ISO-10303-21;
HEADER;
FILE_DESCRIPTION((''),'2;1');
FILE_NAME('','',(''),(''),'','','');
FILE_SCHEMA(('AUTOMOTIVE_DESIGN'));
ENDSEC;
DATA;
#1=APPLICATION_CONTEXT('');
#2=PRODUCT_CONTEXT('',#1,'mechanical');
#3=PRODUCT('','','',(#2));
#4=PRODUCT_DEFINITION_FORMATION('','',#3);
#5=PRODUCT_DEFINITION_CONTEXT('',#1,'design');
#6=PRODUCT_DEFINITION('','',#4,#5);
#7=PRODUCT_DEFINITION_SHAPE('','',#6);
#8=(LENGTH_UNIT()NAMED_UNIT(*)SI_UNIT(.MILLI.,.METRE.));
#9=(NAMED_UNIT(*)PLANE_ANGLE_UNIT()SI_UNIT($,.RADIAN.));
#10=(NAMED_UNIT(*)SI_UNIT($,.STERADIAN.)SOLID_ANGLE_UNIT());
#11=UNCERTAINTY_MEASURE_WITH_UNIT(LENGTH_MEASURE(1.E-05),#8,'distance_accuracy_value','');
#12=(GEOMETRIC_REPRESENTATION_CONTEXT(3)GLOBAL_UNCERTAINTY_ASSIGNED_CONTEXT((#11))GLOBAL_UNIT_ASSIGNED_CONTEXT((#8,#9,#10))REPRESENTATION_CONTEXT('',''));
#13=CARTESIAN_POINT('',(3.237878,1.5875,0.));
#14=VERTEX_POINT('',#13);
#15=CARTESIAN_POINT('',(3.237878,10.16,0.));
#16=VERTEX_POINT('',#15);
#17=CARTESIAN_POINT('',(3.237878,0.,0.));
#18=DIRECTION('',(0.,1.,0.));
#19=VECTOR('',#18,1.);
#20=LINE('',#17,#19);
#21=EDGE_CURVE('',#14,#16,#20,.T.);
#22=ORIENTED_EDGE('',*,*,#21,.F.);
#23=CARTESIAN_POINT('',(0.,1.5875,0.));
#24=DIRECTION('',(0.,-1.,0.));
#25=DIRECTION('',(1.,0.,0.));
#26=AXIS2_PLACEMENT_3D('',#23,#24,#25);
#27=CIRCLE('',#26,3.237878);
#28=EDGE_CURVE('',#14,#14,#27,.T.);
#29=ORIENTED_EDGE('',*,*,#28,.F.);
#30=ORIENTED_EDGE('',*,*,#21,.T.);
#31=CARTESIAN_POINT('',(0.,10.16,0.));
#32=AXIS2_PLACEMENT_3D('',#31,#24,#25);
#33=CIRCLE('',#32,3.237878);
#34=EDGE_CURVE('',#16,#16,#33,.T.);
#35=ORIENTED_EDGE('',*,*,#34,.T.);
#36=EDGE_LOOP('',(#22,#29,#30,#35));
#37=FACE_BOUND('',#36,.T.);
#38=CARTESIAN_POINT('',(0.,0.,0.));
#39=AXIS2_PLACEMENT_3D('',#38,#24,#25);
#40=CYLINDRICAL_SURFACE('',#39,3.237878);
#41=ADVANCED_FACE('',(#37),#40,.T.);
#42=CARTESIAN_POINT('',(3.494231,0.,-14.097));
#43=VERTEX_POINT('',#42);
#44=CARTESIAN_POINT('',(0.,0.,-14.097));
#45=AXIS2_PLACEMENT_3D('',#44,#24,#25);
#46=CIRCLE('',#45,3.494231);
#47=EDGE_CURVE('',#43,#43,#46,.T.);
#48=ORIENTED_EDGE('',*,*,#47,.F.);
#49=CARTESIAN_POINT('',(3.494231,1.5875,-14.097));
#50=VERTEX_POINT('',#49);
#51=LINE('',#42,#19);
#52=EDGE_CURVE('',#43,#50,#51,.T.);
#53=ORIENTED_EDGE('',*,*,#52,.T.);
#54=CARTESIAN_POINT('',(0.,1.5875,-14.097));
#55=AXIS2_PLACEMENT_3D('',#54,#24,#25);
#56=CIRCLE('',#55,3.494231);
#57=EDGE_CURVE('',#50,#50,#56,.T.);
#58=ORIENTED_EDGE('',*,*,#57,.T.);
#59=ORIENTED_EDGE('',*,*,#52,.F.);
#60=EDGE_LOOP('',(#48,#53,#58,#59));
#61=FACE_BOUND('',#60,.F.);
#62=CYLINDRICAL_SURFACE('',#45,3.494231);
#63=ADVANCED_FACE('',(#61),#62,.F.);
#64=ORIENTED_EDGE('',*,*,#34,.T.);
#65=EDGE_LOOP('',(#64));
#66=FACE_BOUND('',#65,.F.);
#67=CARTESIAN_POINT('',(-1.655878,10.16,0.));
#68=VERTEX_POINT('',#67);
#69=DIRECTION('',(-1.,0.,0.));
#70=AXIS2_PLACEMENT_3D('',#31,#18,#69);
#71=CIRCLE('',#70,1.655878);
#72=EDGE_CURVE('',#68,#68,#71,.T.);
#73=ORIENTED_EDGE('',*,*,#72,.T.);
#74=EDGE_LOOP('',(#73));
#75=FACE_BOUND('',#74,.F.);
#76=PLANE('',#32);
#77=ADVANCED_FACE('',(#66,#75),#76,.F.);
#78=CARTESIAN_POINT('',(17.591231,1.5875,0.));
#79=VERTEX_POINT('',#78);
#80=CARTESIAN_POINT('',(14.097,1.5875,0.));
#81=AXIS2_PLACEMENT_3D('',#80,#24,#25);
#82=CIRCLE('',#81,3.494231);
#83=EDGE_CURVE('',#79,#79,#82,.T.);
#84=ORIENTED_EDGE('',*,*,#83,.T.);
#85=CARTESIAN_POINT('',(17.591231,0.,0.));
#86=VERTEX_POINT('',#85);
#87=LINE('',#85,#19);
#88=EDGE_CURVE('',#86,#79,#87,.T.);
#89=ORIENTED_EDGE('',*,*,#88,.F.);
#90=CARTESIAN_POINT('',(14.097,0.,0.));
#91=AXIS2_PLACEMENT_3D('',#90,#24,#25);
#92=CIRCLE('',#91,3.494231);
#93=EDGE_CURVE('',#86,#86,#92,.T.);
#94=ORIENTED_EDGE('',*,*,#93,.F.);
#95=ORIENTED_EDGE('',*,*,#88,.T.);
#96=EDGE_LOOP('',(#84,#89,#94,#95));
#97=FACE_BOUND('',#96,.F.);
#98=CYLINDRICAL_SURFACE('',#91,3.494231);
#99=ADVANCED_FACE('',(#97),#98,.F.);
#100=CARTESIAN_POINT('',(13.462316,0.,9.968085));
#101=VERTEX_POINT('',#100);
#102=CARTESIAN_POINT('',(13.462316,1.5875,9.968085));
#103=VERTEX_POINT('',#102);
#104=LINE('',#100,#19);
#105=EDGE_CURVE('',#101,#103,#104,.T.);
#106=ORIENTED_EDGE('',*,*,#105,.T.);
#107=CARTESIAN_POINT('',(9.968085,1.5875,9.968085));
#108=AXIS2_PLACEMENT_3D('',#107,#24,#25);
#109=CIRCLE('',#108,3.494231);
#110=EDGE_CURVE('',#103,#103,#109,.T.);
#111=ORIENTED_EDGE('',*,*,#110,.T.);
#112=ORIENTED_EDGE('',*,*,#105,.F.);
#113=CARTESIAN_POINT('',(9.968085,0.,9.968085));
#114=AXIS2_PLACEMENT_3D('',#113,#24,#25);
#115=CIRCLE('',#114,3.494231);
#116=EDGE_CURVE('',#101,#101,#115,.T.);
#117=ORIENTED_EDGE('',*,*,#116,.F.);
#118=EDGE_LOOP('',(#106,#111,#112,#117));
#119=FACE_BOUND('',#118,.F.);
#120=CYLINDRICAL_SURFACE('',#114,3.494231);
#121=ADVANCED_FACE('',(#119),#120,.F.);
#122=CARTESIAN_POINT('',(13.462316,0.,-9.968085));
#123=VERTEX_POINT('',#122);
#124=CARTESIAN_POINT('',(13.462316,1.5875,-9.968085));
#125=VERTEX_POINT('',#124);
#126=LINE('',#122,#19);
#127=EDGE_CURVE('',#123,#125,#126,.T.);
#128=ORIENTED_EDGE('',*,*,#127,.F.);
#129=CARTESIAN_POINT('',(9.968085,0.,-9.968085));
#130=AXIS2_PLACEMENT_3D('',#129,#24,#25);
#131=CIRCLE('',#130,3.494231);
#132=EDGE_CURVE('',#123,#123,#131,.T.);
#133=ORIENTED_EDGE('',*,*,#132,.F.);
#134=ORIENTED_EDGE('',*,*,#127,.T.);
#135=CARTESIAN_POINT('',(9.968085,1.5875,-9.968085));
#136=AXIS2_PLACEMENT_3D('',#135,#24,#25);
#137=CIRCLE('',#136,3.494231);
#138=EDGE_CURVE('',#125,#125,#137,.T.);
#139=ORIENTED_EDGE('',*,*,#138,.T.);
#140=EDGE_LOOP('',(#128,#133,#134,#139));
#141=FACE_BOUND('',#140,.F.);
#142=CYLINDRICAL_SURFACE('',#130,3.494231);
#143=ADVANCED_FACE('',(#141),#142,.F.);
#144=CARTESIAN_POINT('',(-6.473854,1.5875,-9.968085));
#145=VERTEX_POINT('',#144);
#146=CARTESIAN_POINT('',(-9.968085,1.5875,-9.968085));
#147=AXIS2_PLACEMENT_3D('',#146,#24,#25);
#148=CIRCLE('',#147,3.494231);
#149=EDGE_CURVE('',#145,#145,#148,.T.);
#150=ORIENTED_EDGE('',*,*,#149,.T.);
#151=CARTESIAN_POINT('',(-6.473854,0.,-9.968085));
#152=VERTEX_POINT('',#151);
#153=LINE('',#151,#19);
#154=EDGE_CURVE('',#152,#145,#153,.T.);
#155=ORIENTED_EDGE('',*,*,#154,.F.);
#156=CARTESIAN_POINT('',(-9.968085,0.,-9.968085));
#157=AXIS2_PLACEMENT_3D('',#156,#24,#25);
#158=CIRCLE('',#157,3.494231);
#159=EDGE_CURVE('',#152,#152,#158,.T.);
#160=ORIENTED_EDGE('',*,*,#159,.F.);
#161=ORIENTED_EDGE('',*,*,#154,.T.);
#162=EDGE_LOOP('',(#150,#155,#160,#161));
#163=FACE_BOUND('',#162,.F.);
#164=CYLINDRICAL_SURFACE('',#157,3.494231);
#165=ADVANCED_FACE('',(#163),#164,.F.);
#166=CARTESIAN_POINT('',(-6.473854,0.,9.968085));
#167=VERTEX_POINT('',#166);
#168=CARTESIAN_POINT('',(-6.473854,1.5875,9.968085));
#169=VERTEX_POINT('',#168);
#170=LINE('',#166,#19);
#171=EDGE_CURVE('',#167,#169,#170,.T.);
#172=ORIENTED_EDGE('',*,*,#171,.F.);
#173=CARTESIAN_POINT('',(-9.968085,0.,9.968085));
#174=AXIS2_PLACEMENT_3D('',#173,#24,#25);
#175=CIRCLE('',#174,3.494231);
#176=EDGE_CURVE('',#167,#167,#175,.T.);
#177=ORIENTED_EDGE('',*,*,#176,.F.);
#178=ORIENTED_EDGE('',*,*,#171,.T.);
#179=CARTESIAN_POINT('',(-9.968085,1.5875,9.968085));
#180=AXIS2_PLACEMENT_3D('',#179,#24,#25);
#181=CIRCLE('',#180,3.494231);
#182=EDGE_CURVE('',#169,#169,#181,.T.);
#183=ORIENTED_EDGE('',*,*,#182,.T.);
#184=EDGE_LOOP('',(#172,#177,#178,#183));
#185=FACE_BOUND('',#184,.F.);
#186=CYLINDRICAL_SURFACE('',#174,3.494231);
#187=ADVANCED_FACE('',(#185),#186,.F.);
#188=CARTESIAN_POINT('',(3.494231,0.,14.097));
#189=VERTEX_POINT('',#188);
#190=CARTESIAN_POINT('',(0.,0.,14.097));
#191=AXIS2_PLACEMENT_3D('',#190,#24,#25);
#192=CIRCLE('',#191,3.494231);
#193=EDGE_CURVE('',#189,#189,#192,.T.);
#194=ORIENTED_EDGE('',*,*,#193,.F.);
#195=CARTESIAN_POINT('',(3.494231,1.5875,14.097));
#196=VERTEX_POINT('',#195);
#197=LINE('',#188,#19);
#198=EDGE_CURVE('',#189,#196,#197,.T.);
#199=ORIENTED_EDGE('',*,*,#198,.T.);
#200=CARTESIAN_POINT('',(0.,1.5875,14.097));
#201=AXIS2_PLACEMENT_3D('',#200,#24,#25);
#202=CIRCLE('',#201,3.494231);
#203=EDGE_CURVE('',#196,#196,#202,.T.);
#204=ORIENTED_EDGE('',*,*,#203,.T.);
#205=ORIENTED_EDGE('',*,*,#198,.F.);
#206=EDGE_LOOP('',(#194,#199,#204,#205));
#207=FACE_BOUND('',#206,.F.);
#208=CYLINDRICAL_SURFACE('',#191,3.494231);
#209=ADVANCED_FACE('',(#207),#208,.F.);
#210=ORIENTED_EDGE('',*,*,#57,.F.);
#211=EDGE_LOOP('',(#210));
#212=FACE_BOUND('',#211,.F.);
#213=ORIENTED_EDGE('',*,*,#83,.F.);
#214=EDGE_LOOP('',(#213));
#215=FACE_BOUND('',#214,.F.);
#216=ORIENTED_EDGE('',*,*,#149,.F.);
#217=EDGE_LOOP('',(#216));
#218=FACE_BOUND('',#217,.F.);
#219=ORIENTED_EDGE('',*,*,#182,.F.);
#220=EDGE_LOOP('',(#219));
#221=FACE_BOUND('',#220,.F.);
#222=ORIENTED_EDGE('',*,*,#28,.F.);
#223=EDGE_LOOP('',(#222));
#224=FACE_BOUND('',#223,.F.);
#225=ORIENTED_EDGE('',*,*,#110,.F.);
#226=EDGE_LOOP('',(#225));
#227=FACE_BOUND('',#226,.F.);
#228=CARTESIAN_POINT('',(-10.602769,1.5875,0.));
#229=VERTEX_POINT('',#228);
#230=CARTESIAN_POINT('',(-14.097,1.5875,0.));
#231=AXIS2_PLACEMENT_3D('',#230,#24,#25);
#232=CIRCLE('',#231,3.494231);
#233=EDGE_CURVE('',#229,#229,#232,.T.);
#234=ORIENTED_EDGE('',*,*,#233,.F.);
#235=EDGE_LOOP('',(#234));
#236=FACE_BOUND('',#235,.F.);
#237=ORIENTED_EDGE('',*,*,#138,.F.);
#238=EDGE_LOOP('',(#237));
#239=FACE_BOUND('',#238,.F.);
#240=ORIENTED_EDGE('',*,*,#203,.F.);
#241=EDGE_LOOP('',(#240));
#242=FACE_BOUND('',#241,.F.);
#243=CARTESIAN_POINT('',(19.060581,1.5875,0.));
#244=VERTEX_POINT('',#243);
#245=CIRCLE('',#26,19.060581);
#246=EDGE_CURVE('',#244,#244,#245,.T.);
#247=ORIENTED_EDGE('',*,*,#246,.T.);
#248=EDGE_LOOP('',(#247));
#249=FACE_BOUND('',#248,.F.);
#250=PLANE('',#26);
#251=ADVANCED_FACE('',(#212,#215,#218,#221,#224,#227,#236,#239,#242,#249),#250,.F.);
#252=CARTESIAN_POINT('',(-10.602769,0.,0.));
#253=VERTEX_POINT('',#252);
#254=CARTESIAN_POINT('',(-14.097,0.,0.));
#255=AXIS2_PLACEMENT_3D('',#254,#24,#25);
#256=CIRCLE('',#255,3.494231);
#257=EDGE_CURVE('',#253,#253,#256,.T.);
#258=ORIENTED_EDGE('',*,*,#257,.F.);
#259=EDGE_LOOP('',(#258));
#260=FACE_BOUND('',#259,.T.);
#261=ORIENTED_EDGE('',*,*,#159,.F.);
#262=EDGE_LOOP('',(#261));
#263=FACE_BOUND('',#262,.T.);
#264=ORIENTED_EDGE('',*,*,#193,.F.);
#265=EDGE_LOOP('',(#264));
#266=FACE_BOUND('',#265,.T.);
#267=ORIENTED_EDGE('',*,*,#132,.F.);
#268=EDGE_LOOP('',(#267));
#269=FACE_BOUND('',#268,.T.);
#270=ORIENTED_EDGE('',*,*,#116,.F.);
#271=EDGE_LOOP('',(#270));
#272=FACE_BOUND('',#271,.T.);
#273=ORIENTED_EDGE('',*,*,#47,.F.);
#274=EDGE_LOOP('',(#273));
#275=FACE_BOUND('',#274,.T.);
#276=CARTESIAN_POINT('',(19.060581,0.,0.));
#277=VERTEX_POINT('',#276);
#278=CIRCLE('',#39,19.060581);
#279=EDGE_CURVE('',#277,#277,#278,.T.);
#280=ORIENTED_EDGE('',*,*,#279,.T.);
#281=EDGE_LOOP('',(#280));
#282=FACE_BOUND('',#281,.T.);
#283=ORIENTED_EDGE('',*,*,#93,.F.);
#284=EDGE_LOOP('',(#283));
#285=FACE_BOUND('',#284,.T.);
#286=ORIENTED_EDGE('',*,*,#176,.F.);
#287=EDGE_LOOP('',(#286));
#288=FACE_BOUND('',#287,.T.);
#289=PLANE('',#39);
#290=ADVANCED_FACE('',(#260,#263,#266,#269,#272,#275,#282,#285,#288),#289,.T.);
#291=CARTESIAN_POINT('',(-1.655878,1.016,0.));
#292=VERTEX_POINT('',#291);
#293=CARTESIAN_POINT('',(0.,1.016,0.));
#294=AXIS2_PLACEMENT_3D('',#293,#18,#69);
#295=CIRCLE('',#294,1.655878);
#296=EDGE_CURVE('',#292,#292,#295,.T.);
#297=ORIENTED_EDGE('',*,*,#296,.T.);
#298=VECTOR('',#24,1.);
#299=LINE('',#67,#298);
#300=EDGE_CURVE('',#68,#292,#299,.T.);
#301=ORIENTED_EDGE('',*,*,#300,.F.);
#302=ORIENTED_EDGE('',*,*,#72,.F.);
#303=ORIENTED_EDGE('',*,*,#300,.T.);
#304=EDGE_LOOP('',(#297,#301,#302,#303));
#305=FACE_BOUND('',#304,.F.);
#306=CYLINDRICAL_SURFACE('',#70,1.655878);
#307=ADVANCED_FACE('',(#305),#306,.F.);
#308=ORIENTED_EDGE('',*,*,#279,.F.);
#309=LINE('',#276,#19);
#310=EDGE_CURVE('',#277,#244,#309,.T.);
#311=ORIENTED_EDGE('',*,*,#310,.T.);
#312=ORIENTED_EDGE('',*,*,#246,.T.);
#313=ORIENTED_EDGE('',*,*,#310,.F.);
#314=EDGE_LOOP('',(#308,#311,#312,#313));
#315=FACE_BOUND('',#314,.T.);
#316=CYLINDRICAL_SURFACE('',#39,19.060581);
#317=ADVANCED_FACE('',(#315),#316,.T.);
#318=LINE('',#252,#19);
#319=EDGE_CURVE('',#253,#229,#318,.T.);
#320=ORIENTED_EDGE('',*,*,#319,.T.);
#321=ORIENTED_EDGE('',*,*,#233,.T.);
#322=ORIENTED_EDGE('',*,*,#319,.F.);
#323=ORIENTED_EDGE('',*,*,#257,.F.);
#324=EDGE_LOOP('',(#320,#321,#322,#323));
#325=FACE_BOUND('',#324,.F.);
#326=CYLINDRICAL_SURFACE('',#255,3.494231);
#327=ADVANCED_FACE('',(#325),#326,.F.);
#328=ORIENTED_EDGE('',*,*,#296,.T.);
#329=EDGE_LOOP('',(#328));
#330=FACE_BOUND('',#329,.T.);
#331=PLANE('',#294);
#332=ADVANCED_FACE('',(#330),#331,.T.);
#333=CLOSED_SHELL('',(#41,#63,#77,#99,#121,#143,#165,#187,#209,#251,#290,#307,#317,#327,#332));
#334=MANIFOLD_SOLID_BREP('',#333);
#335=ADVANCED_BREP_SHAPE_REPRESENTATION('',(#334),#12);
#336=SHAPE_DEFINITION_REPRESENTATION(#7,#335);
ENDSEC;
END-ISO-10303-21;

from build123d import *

# Parameters (mm, degrees)
F0_R     = 19.060581
F1_DEPTH = 1.5875
F2_R     = 3.494231
F3_DEPTH = 21.082
F4_R     = 3.237878
F5_DEPTH = 10.16
F6_R     = 1.655878
F7_DEPTH = 9.144


with BuildPart() as f1:
    # F0 (on Front) → F1 (new body)
    with BuildSketch(Plane.XZ):
        Circle(F0_R)
    extrude(amount=-F1_DEPTH)

    # F2 (on face) → F3 (cut)
    with BuildSketch(Plane.XZ):
        with Locations((0, 14.097)):
            Circle(F2_R)
        with Locations((-9.968085, 9.968085)):
            Circle(F2_R)
        with Locations((-14.097, 0)):
            Circle(F2_R)
        with Locations((-9.968085, -9.968085)):
            Circle(F2_R)
        with Locations((0, -14.097)):
            Circle(F2_R)
        with Locations((9.968085, -9.968085)):
            Circle(F2_R)
        with Locations((14.097, 0)):
            Circle(F2_R)
        with Locations((9.968085, 9.968085)):
            Circle(F2_R)
    extrude(amount=-F3_DEPTH, mode=Mode.SUBTRACT)

    # F4 (on Front) → F5 (join)
    with BuildSketch(Plane.XZ):
        Circle(F4_R)
    extrude(amount=-F5_DEPTH)

    # F6 (on face) → F7 (cut)
    with BuildSketch(Plane(origin=(0, 10.16, 0), x_dir=(-1, 0, 0), z_dir=(0, 1, 0))):
        Circle(F6_R)
    extrude(amount=-F7_DEPTH, mode=Mode.SUBTRACT)


solid = f1.part
